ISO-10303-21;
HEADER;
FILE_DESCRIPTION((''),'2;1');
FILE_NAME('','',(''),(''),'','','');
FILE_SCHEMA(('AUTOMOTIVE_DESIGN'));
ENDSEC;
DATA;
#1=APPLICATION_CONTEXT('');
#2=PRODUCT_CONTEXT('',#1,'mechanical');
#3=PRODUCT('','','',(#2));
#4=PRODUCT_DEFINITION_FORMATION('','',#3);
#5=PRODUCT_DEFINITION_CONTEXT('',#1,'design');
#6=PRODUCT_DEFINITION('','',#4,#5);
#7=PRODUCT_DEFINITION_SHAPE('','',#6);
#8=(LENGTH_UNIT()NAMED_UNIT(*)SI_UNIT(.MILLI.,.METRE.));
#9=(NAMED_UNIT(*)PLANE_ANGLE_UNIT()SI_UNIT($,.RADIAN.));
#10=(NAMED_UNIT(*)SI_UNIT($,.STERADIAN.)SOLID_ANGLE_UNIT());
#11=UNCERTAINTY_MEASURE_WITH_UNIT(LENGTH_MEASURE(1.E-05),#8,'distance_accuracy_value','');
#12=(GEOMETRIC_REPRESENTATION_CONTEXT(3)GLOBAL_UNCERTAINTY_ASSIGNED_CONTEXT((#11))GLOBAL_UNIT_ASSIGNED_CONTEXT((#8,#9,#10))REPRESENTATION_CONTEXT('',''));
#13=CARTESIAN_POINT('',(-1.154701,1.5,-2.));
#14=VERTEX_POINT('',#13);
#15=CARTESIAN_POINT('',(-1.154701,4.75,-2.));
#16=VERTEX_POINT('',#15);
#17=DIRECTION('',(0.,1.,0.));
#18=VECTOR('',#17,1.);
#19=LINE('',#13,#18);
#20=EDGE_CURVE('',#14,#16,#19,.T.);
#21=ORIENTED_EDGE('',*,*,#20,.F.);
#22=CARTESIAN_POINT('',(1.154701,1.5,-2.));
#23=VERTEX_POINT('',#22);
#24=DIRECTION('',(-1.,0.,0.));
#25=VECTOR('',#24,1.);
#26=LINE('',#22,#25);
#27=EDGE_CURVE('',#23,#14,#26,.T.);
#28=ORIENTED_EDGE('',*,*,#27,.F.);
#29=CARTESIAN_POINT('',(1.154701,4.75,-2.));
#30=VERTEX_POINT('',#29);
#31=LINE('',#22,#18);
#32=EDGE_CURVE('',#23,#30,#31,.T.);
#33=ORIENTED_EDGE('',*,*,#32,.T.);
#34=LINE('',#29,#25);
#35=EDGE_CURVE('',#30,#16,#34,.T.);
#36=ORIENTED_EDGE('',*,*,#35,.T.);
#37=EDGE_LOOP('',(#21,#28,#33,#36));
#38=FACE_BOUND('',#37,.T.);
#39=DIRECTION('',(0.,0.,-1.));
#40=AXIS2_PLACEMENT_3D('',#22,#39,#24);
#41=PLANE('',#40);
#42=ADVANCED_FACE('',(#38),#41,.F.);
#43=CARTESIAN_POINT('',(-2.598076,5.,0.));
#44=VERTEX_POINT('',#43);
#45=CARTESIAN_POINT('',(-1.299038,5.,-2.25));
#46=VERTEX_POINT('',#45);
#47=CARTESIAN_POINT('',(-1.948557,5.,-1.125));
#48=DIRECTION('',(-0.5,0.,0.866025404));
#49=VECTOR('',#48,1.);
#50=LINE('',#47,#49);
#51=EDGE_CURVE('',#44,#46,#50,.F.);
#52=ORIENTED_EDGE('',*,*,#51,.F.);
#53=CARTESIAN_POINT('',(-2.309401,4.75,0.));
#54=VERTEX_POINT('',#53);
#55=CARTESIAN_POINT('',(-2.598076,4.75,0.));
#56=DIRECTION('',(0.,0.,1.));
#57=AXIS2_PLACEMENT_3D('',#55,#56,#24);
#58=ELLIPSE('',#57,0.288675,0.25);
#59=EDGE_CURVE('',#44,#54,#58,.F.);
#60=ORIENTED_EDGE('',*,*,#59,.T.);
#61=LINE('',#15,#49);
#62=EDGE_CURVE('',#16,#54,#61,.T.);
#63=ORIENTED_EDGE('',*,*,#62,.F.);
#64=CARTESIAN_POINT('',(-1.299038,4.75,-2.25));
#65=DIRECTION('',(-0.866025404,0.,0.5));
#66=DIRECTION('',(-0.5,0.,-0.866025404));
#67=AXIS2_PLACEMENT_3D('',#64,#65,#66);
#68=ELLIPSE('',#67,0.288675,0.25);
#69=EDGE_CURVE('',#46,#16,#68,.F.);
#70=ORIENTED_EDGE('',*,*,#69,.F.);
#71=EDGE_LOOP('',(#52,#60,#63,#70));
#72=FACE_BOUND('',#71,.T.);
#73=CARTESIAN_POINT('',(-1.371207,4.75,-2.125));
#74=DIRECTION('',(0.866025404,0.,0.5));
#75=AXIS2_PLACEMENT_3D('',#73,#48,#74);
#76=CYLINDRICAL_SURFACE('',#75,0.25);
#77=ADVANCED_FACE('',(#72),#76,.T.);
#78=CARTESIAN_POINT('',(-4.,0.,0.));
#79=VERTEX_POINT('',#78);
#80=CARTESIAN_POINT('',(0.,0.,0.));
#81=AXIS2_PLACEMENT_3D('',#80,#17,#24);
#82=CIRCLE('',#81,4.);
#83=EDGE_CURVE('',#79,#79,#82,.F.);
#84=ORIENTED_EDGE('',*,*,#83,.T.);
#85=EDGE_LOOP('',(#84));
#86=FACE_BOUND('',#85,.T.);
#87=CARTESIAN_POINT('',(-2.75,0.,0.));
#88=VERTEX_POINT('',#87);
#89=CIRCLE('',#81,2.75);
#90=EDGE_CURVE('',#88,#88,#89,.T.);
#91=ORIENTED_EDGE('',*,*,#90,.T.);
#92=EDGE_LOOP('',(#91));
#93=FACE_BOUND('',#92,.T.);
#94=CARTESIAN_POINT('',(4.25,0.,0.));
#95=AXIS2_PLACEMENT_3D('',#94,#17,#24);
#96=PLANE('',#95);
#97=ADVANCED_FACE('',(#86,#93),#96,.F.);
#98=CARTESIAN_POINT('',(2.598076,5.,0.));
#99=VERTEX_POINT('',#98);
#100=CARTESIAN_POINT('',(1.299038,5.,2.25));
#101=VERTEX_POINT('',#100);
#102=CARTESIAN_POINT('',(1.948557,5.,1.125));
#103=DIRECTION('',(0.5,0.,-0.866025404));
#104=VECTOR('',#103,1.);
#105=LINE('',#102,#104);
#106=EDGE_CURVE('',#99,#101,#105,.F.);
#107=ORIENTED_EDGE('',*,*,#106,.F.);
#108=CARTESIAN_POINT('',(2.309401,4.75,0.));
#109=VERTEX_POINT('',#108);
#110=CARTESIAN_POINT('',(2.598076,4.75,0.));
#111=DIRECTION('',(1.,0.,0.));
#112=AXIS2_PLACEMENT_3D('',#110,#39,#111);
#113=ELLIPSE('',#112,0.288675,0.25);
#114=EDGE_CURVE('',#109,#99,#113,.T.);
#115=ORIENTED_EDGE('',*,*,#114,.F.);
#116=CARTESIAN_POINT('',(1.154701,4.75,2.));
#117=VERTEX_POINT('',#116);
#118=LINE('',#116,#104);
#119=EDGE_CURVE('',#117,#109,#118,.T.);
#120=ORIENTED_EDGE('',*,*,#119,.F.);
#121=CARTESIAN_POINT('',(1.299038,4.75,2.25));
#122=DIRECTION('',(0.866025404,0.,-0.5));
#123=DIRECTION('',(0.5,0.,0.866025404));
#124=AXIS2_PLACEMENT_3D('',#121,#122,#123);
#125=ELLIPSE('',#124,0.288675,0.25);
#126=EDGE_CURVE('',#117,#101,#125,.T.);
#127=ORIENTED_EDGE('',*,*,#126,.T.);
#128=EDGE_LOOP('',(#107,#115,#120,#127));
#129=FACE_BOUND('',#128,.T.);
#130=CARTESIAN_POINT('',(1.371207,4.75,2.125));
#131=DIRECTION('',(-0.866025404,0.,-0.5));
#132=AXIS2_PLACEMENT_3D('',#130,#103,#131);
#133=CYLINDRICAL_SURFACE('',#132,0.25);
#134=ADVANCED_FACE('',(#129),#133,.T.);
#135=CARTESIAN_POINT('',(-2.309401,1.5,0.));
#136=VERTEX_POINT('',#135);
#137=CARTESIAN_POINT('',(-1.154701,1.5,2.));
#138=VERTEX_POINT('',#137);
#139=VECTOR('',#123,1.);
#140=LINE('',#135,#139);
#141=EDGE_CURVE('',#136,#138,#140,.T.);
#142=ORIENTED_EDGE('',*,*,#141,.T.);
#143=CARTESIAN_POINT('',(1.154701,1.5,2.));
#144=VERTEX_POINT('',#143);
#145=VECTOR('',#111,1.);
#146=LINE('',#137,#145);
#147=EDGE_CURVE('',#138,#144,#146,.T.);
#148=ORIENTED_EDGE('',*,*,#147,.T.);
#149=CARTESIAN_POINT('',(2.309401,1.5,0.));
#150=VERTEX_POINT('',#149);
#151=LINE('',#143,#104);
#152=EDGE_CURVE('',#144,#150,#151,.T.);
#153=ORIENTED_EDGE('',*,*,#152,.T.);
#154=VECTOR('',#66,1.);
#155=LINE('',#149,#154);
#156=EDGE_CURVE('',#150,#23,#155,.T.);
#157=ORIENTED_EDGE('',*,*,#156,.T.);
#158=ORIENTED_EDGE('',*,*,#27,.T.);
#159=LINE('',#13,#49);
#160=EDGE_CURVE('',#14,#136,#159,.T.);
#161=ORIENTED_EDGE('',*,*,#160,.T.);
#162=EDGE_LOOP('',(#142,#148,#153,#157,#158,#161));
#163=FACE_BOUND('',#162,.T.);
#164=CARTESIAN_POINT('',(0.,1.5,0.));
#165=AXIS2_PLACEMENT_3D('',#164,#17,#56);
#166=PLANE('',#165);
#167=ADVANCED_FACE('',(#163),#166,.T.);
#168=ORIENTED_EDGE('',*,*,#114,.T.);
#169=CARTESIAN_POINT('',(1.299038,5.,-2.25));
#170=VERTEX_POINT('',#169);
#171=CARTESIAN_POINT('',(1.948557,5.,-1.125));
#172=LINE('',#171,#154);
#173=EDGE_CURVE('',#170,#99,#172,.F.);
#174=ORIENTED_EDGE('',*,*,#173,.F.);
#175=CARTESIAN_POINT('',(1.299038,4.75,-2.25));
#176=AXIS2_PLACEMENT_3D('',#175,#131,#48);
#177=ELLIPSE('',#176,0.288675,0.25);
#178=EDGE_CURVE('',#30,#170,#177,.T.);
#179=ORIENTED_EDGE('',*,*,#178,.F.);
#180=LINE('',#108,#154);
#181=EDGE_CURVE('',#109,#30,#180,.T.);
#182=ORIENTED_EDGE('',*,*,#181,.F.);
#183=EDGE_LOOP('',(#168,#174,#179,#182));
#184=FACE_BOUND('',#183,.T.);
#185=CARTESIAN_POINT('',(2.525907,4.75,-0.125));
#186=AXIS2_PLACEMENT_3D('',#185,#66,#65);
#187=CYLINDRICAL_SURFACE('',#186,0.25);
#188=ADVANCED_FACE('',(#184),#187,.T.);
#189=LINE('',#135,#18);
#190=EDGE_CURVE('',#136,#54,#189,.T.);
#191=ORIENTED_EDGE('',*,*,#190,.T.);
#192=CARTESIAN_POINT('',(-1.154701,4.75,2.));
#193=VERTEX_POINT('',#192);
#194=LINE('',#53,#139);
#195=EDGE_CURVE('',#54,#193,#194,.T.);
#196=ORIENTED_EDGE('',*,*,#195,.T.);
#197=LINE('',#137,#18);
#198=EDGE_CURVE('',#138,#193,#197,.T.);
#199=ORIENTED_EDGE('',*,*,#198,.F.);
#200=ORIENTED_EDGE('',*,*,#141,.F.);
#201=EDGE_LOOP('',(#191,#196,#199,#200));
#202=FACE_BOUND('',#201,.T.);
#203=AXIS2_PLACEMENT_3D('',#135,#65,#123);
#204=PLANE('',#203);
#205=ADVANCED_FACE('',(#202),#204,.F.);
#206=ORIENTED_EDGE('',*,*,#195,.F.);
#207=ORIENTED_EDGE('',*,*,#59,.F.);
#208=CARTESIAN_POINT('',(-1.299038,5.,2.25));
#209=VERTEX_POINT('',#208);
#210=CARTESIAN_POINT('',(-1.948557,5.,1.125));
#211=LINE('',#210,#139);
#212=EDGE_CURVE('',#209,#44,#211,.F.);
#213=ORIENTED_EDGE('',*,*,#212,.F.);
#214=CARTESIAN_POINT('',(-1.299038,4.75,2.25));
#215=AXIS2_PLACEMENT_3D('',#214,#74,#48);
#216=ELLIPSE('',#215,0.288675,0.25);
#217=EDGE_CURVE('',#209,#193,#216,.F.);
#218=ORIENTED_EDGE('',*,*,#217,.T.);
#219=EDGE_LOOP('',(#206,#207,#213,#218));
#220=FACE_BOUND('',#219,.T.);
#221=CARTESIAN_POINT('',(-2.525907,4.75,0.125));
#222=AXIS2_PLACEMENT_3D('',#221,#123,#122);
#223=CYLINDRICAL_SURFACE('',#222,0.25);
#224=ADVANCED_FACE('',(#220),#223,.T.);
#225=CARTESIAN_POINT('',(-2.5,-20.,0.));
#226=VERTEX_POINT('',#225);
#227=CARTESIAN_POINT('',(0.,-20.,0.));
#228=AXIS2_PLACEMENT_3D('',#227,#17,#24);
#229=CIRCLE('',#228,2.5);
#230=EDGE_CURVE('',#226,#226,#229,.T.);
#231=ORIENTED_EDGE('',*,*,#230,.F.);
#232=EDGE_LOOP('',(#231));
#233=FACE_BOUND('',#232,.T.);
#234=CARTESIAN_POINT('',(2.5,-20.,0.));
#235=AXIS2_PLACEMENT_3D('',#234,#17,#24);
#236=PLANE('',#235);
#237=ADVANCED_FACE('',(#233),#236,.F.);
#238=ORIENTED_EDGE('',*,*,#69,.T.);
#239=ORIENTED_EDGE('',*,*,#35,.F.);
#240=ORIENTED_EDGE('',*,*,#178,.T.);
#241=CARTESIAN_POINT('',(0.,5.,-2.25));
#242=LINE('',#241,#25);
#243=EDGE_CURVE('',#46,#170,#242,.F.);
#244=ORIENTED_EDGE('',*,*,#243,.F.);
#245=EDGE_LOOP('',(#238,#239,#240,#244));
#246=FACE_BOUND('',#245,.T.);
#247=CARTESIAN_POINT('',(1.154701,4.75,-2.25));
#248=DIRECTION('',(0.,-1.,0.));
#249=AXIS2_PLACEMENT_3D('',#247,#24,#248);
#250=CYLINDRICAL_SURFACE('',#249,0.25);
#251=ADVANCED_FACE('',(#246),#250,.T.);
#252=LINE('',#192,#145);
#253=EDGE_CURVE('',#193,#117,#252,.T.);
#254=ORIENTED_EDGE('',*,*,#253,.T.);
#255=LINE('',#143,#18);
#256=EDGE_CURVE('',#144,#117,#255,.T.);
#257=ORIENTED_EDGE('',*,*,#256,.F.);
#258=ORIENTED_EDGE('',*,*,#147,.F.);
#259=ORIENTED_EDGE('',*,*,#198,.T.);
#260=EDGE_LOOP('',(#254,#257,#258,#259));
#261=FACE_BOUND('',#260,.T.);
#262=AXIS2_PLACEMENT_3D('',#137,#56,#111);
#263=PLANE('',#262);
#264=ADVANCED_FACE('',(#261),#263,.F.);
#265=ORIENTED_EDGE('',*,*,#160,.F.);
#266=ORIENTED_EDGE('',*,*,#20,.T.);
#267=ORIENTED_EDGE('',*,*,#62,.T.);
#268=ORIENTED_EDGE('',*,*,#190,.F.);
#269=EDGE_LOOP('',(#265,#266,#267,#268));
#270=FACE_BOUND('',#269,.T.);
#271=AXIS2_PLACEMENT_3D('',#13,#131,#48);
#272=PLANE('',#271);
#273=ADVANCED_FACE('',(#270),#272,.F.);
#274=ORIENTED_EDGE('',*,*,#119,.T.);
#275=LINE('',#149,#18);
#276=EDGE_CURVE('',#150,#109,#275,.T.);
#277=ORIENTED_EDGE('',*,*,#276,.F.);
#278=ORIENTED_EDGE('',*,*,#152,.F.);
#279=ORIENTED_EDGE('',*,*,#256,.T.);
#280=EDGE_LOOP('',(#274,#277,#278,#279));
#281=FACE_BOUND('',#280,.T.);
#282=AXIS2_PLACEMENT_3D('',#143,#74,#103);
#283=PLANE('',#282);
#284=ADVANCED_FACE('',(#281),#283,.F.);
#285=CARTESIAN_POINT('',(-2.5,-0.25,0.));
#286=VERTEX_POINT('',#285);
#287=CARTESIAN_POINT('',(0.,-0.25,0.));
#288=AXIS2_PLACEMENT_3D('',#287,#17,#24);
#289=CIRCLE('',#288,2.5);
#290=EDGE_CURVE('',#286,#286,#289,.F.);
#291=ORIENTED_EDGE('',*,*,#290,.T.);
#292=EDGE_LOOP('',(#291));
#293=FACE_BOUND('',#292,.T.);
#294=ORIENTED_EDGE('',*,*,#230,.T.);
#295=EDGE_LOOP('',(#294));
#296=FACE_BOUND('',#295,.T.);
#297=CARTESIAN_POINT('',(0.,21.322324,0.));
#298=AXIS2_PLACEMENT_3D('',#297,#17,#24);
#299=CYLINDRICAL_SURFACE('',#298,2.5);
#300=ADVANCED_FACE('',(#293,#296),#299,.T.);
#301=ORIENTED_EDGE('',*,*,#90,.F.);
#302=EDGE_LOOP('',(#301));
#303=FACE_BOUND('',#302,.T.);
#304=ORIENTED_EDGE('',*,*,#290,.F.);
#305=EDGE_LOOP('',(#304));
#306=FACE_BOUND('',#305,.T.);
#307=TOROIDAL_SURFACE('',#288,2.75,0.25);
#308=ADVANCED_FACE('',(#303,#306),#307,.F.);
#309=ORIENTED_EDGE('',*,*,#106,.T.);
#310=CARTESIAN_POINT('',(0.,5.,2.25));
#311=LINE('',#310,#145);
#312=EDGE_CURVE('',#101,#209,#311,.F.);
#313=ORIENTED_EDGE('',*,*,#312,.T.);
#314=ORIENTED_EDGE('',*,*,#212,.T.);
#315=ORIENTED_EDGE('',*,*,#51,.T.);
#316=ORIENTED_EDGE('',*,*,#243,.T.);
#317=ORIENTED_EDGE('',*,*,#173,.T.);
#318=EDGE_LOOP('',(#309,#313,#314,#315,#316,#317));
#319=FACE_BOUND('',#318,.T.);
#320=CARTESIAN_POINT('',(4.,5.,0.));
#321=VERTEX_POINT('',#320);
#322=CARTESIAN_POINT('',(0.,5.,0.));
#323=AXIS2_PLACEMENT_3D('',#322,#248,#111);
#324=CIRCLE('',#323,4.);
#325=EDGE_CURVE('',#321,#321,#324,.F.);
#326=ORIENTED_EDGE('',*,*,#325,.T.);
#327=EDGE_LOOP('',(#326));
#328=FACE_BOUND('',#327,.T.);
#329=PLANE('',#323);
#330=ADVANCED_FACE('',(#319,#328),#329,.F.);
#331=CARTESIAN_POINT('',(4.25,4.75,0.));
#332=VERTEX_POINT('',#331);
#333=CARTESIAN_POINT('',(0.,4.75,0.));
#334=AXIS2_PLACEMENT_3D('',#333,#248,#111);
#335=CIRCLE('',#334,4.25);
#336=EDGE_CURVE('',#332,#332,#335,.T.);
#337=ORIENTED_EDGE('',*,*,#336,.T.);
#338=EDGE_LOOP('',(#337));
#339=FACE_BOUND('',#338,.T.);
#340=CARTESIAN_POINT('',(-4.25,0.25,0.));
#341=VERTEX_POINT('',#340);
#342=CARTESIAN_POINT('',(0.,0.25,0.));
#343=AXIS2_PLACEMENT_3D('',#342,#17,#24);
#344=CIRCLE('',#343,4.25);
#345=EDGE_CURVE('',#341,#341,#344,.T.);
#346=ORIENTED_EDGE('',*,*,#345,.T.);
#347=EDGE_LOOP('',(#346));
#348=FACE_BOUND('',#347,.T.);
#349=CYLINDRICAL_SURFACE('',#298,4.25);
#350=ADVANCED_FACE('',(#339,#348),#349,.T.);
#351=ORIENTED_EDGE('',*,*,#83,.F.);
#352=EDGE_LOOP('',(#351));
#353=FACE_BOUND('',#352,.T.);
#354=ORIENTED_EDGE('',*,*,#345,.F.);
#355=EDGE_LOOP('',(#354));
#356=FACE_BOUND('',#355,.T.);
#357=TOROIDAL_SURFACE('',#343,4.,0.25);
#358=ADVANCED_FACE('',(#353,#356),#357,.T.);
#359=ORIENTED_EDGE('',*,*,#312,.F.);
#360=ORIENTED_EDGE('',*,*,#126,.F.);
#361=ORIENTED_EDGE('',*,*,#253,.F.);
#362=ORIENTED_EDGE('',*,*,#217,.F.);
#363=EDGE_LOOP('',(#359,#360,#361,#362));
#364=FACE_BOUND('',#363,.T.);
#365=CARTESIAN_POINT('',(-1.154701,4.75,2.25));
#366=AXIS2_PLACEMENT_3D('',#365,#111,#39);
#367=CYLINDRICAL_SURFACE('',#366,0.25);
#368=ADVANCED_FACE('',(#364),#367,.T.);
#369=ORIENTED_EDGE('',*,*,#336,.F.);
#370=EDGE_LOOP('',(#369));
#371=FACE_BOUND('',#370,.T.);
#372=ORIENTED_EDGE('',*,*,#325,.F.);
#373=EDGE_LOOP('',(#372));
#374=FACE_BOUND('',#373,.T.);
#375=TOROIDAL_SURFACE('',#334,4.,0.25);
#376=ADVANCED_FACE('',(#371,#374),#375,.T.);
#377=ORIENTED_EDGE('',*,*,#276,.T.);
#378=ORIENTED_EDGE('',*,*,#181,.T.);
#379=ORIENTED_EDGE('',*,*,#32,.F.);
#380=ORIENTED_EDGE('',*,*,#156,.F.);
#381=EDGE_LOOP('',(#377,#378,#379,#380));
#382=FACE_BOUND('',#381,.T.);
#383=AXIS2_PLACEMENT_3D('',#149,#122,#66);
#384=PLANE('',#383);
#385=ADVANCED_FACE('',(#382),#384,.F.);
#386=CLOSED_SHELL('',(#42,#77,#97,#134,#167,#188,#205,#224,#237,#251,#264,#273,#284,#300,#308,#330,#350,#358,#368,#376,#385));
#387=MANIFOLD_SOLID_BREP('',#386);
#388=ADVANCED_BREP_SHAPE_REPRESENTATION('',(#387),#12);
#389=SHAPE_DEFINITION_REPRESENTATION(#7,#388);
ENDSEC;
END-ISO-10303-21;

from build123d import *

# Parameters (mm, degrees)
CUT_EXTRUDE1_DEPTH = 3.5
FILLET1_R          = 0.25


with BuildPart() as part:
    # Sketch2 → Revolve1 (revolve)
    with BuildSketch(Plane.XY, mode=Mode.PRIVATE) as revolve1_sk:
        Polygon((0, 5), (4.25, 5), (4.25, 0), (2.5, 0), (2.5, -20), (0, -20), align=None)
    revolve(revolve1_sk.sketch.rotate(Axis((0, 21.322324325, 0), (0, -1, 0)), 180), axis=Axis((0, 21.322324325, 0), (0, -1, 0)))

    # Sketch3 → Cut-Extrude1 (cut)
    with BuildSketch(Plane(origin=(0, 5, 0), x_dir=(1, 0, 0), z_dir=(0, 1, 0))):
        Polygon((2.309401077, 0), (1.154700538, 2), (-1.154700538, 2), (-2.309401077, 0), (-1.154700538, -2), (1.154700538, -2), align=None)
    extrude(amount=-CUT_EXTRUDE1_DEPTH, mode=Mode.SUBTRACT)

    # Fillet1
    fillet1_edges = [part.edges().sort_by_distance(p)[0] for p in [
        (1.732050808, 5, 1),
        (1.732050808, 5, -1),
        (0, 5, -2),
        (-1.732050808, 5, -1),
        (-1.732050808, 5, 1),
        (0, 5, 2),
        (2.5, 0, 0),
        (4.25, 0, 0),
        (4.25, 5, 0),
    ]]
    fillet(fillet1_edges, radius=FILLET1_R)


solid = part.part
